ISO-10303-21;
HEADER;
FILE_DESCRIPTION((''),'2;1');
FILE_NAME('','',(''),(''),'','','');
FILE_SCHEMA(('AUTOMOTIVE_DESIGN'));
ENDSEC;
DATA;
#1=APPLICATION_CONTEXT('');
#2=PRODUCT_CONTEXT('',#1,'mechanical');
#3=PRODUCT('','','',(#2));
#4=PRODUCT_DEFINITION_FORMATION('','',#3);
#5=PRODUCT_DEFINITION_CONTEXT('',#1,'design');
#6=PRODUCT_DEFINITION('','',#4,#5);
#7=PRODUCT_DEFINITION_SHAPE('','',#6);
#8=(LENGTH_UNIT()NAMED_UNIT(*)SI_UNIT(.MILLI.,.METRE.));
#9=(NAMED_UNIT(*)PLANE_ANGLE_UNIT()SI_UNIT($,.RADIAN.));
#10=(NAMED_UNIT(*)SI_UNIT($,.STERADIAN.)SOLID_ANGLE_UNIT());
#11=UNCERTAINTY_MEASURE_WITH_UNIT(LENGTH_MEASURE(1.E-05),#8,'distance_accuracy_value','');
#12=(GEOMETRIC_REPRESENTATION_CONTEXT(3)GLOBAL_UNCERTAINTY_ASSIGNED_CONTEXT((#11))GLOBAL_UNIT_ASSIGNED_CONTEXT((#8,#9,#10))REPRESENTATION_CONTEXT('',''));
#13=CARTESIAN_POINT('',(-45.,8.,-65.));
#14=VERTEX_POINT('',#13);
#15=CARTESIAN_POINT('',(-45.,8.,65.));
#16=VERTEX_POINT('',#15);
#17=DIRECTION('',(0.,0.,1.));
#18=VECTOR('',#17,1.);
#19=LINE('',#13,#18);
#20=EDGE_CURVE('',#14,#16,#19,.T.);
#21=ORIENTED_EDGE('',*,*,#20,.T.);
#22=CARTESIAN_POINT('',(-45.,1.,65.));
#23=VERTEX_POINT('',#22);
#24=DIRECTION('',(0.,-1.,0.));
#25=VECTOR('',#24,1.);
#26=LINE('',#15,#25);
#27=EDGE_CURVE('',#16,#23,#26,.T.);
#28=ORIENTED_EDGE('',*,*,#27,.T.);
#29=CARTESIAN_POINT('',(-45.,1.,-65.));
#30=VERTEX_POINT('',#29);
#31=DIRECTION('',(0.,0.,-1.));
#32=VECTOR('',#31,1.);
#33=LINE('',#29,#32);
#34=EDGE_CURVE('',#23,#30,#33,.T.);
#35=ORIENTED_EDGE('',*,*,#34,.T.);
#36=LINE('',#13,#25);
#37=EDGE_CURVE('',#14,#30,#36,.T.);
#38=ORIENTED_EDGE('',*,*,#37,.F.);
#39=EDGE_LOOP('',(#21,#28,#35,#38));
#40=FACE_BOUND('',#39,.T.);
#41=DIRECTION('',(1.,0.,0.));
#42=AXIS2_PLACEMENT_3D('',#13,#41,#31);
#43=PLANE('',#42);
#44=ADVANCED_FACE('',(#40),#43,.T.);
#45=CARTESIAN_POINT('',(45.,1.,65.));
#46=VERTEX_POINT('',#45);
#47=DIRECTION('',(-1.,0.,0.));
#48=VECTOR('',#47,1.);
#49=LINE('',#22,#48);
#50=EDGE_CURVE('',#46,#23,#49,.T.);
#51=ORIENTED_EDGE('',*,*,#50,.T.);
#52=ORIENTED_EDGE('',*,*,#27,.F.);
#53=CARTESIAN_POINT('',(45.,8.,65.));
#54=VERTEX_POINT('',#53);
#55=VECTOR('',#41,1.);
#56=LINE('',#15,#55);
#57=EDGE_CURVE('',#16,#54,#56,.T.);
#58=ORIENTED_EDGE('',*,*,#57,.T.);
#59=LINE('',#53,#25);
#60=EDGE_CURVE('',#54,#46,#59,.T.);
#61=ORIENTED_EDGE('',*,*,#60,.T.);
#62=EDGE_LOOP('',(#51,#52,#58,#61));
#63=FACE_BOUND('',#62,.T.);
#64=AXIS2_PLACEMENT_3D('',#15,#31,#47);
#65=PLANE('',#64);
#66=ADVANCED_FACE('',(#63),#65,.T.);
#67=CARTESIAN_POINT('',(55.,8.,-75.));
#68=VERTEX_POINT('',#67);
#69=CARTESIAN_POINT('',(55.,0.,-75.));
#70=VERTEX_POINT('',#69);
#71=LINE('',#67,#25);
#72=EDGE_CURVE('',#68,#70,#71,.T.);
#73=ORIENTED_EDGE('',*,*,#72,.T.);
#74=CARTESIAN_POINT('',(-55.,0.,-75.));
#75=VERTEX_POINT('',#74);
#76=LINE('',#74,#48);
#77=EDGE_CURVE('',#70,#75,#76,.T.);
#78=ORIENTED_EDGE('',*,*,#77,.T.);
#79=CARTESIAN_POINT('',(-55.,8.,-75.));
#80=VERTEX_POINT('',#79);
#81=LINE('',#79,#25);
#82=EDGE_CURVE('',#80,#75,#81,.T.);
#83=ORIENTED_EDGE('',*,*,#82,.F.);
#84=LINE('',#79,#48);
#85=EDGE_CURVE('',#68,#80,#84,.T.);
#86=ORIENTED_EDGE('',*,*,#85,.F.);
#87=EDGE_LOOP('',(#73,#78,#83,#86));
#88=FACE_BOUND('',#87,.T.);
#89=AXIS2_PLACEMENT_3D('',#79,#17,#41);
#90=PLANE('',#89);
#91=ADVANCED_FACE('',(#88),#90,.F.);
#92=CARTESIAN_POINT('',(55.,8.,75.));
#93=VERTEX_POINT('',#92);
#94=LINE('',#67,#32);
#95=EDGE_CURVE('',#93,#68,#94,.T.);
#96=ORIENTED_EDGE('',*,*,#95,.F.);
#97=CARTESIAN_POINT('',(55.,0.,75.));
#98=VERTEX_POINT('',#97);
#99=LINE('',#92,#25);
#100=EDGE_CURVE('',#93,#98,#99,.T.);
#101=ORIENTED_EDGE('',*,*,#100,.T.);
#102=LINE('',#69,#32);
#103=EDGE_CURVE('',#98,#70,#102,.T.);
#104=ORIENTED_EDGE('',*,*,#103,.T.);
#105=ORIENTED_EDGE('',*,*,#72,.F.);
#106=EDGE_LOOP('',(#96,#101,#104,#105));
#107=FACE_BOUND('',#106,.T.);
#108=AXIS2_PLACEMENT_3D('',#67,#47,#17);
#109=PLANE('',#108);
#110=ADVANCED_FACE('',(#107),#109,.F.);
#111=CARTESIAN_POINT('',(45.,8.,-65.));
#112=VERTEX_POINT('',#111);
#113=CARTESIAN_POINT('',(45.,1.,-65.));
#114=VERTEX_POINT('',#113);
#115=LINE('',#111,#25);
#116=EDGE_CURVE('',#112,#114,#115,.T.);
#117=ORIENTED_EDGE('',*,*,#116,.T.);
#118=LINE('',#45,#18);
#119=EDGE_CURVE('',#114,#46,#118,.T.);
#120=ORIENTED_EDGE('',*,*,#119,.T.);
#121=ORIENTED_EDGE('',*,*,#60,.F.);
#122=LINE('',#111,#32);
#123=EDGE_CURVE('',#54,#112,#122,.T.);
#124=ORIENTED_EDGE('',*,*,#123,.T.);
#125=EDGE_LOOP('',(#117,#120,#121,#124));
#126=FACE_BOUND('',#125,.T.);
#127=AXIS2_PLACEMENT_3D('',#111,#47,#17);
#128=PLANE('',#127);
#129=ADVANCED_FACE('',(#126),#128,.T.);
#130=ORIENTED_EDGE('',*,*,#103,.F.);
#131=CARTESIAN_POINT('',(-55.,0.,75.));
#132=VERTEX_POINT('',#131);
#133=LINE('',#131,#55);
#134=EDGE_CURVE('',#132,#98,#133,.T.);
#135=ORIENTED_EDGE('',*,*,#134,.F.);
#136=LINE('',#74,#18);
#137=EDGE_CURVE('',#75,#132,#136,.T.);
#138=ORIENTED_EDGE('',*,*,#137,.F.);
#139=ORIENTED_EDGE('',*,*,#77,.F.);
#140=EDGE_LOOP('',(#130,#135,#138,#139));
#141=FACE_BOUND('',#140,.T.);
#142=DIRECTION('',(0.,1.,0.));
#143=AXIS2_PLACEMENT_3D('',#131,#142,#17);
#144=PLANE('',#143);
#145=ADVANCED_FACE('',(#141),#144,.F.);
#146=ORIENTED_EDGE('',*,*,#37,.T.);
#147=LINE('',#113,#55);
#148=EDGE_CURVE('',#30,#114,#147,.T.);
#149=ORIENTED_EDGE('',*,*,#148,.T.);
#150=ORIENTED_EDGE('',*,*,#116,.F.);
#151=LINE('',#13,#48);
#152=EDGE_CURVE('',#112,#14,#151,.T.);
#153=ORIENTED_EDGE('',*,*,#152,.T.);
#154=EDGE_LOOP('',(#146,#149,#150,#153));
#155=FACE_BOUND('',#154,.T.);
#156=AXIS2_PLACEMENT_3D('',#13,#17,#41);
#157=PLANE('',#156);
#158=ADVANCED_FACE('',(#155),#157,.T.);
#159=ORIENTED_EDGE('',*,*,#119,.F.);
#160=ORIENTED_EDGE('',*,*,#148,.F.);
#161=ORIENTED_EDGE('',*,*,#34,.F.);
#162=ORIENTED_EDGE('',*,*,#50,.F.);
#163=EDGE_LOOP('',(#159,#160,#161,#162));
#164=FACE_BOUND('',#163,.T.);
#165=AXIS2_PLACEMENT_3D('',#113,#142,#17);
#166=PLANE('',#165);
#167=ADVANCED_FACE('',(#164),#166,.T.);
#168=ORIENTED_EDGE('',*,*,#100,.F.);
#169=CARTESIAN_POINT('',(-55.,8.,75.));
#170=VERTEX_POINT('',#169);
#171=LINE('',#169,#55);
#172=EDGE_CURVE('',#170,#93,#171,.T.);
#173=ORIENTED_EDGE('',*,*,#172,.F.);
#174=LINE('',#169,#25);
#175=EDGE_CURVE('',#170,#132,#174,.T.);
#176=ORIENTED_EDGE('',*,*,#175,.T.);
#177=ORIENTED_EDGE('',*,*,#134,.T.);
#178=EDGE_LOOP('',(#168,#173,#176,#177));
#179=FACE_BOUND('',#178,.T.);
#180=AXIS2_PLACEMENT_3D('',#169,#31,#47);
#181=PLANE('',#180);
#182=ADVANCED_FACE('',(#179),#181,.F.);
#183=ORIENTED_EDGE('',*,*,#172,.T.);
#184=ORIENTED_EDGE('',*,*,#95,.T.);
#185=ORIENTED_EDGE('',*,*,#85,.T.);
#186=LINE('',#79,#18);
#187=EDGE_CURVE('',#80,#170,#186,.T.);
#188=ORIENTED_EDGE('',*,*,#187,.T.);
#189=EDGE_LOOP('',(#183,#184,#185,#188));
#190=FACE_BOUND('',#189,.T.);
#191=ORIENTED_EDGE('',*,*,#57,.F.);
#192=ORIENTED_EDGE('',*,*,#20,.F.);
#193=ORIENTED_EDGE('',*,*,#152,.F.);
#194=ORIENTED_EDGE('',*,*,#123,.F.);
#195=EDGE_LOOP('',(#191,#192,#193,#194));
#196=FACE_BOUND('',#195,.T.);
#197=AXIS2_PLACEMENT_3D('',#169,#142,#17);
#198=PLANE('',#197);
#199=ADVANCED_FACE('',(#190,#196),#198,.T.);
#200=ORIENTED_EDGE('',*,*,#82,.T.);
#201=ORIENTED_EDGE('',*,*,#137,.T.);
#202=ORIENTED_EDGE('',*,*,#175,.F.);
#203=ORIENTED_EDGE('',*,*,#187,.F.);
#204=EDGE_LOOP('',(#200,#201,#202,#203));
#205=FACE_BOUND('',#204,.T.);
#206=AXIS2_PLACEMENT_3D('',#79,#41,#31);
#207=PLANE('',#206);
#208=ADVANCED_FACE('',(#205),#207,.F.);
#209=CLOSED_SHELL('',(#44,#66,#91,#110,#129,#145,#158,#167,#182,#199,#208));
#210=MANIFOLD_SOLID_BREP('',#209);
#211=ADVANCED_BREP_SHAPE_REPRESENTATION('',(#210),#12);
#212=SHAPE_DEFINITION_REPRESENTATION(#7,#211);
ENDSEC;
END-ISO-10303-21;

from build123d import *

# Parameters (mm, degrees)
SKICA1_W        = 110
SKICA1_H        = 150
SKICA1_W_2      = 90
SKICA1_H_2      = 130
VYSUNOUT1_DEPTH = 8
SKICA2_W        = 90
SKICA2_H        = 130
VYSUNOUT2_DEPTH = 1


with BuildPart() as part:
    # Skica1 → Vysunout1 (new body)
    with BuildSketch(Plane(origin=(0, 0, 0), x_dir=(1, 0, 0), z_dir=(0, 1, 0))):
        Rectangle(SKICA1_W, SKICA1_H)
        Rectangle(SKICA1_W_2, SKICA1_H_2, mode=Mode.SUBTRACT)
    extrude(amount=VYSUNOUT1_DEPTH)

    # Skica2 → Vysunout2 (add)
    with BuildSketch(Plane.XZ):
        Rectangle(SKICA2_W, SKICA2_H)
    extrude(amount=-VYSUNOUT2_DEPTH)


solid = part.part
